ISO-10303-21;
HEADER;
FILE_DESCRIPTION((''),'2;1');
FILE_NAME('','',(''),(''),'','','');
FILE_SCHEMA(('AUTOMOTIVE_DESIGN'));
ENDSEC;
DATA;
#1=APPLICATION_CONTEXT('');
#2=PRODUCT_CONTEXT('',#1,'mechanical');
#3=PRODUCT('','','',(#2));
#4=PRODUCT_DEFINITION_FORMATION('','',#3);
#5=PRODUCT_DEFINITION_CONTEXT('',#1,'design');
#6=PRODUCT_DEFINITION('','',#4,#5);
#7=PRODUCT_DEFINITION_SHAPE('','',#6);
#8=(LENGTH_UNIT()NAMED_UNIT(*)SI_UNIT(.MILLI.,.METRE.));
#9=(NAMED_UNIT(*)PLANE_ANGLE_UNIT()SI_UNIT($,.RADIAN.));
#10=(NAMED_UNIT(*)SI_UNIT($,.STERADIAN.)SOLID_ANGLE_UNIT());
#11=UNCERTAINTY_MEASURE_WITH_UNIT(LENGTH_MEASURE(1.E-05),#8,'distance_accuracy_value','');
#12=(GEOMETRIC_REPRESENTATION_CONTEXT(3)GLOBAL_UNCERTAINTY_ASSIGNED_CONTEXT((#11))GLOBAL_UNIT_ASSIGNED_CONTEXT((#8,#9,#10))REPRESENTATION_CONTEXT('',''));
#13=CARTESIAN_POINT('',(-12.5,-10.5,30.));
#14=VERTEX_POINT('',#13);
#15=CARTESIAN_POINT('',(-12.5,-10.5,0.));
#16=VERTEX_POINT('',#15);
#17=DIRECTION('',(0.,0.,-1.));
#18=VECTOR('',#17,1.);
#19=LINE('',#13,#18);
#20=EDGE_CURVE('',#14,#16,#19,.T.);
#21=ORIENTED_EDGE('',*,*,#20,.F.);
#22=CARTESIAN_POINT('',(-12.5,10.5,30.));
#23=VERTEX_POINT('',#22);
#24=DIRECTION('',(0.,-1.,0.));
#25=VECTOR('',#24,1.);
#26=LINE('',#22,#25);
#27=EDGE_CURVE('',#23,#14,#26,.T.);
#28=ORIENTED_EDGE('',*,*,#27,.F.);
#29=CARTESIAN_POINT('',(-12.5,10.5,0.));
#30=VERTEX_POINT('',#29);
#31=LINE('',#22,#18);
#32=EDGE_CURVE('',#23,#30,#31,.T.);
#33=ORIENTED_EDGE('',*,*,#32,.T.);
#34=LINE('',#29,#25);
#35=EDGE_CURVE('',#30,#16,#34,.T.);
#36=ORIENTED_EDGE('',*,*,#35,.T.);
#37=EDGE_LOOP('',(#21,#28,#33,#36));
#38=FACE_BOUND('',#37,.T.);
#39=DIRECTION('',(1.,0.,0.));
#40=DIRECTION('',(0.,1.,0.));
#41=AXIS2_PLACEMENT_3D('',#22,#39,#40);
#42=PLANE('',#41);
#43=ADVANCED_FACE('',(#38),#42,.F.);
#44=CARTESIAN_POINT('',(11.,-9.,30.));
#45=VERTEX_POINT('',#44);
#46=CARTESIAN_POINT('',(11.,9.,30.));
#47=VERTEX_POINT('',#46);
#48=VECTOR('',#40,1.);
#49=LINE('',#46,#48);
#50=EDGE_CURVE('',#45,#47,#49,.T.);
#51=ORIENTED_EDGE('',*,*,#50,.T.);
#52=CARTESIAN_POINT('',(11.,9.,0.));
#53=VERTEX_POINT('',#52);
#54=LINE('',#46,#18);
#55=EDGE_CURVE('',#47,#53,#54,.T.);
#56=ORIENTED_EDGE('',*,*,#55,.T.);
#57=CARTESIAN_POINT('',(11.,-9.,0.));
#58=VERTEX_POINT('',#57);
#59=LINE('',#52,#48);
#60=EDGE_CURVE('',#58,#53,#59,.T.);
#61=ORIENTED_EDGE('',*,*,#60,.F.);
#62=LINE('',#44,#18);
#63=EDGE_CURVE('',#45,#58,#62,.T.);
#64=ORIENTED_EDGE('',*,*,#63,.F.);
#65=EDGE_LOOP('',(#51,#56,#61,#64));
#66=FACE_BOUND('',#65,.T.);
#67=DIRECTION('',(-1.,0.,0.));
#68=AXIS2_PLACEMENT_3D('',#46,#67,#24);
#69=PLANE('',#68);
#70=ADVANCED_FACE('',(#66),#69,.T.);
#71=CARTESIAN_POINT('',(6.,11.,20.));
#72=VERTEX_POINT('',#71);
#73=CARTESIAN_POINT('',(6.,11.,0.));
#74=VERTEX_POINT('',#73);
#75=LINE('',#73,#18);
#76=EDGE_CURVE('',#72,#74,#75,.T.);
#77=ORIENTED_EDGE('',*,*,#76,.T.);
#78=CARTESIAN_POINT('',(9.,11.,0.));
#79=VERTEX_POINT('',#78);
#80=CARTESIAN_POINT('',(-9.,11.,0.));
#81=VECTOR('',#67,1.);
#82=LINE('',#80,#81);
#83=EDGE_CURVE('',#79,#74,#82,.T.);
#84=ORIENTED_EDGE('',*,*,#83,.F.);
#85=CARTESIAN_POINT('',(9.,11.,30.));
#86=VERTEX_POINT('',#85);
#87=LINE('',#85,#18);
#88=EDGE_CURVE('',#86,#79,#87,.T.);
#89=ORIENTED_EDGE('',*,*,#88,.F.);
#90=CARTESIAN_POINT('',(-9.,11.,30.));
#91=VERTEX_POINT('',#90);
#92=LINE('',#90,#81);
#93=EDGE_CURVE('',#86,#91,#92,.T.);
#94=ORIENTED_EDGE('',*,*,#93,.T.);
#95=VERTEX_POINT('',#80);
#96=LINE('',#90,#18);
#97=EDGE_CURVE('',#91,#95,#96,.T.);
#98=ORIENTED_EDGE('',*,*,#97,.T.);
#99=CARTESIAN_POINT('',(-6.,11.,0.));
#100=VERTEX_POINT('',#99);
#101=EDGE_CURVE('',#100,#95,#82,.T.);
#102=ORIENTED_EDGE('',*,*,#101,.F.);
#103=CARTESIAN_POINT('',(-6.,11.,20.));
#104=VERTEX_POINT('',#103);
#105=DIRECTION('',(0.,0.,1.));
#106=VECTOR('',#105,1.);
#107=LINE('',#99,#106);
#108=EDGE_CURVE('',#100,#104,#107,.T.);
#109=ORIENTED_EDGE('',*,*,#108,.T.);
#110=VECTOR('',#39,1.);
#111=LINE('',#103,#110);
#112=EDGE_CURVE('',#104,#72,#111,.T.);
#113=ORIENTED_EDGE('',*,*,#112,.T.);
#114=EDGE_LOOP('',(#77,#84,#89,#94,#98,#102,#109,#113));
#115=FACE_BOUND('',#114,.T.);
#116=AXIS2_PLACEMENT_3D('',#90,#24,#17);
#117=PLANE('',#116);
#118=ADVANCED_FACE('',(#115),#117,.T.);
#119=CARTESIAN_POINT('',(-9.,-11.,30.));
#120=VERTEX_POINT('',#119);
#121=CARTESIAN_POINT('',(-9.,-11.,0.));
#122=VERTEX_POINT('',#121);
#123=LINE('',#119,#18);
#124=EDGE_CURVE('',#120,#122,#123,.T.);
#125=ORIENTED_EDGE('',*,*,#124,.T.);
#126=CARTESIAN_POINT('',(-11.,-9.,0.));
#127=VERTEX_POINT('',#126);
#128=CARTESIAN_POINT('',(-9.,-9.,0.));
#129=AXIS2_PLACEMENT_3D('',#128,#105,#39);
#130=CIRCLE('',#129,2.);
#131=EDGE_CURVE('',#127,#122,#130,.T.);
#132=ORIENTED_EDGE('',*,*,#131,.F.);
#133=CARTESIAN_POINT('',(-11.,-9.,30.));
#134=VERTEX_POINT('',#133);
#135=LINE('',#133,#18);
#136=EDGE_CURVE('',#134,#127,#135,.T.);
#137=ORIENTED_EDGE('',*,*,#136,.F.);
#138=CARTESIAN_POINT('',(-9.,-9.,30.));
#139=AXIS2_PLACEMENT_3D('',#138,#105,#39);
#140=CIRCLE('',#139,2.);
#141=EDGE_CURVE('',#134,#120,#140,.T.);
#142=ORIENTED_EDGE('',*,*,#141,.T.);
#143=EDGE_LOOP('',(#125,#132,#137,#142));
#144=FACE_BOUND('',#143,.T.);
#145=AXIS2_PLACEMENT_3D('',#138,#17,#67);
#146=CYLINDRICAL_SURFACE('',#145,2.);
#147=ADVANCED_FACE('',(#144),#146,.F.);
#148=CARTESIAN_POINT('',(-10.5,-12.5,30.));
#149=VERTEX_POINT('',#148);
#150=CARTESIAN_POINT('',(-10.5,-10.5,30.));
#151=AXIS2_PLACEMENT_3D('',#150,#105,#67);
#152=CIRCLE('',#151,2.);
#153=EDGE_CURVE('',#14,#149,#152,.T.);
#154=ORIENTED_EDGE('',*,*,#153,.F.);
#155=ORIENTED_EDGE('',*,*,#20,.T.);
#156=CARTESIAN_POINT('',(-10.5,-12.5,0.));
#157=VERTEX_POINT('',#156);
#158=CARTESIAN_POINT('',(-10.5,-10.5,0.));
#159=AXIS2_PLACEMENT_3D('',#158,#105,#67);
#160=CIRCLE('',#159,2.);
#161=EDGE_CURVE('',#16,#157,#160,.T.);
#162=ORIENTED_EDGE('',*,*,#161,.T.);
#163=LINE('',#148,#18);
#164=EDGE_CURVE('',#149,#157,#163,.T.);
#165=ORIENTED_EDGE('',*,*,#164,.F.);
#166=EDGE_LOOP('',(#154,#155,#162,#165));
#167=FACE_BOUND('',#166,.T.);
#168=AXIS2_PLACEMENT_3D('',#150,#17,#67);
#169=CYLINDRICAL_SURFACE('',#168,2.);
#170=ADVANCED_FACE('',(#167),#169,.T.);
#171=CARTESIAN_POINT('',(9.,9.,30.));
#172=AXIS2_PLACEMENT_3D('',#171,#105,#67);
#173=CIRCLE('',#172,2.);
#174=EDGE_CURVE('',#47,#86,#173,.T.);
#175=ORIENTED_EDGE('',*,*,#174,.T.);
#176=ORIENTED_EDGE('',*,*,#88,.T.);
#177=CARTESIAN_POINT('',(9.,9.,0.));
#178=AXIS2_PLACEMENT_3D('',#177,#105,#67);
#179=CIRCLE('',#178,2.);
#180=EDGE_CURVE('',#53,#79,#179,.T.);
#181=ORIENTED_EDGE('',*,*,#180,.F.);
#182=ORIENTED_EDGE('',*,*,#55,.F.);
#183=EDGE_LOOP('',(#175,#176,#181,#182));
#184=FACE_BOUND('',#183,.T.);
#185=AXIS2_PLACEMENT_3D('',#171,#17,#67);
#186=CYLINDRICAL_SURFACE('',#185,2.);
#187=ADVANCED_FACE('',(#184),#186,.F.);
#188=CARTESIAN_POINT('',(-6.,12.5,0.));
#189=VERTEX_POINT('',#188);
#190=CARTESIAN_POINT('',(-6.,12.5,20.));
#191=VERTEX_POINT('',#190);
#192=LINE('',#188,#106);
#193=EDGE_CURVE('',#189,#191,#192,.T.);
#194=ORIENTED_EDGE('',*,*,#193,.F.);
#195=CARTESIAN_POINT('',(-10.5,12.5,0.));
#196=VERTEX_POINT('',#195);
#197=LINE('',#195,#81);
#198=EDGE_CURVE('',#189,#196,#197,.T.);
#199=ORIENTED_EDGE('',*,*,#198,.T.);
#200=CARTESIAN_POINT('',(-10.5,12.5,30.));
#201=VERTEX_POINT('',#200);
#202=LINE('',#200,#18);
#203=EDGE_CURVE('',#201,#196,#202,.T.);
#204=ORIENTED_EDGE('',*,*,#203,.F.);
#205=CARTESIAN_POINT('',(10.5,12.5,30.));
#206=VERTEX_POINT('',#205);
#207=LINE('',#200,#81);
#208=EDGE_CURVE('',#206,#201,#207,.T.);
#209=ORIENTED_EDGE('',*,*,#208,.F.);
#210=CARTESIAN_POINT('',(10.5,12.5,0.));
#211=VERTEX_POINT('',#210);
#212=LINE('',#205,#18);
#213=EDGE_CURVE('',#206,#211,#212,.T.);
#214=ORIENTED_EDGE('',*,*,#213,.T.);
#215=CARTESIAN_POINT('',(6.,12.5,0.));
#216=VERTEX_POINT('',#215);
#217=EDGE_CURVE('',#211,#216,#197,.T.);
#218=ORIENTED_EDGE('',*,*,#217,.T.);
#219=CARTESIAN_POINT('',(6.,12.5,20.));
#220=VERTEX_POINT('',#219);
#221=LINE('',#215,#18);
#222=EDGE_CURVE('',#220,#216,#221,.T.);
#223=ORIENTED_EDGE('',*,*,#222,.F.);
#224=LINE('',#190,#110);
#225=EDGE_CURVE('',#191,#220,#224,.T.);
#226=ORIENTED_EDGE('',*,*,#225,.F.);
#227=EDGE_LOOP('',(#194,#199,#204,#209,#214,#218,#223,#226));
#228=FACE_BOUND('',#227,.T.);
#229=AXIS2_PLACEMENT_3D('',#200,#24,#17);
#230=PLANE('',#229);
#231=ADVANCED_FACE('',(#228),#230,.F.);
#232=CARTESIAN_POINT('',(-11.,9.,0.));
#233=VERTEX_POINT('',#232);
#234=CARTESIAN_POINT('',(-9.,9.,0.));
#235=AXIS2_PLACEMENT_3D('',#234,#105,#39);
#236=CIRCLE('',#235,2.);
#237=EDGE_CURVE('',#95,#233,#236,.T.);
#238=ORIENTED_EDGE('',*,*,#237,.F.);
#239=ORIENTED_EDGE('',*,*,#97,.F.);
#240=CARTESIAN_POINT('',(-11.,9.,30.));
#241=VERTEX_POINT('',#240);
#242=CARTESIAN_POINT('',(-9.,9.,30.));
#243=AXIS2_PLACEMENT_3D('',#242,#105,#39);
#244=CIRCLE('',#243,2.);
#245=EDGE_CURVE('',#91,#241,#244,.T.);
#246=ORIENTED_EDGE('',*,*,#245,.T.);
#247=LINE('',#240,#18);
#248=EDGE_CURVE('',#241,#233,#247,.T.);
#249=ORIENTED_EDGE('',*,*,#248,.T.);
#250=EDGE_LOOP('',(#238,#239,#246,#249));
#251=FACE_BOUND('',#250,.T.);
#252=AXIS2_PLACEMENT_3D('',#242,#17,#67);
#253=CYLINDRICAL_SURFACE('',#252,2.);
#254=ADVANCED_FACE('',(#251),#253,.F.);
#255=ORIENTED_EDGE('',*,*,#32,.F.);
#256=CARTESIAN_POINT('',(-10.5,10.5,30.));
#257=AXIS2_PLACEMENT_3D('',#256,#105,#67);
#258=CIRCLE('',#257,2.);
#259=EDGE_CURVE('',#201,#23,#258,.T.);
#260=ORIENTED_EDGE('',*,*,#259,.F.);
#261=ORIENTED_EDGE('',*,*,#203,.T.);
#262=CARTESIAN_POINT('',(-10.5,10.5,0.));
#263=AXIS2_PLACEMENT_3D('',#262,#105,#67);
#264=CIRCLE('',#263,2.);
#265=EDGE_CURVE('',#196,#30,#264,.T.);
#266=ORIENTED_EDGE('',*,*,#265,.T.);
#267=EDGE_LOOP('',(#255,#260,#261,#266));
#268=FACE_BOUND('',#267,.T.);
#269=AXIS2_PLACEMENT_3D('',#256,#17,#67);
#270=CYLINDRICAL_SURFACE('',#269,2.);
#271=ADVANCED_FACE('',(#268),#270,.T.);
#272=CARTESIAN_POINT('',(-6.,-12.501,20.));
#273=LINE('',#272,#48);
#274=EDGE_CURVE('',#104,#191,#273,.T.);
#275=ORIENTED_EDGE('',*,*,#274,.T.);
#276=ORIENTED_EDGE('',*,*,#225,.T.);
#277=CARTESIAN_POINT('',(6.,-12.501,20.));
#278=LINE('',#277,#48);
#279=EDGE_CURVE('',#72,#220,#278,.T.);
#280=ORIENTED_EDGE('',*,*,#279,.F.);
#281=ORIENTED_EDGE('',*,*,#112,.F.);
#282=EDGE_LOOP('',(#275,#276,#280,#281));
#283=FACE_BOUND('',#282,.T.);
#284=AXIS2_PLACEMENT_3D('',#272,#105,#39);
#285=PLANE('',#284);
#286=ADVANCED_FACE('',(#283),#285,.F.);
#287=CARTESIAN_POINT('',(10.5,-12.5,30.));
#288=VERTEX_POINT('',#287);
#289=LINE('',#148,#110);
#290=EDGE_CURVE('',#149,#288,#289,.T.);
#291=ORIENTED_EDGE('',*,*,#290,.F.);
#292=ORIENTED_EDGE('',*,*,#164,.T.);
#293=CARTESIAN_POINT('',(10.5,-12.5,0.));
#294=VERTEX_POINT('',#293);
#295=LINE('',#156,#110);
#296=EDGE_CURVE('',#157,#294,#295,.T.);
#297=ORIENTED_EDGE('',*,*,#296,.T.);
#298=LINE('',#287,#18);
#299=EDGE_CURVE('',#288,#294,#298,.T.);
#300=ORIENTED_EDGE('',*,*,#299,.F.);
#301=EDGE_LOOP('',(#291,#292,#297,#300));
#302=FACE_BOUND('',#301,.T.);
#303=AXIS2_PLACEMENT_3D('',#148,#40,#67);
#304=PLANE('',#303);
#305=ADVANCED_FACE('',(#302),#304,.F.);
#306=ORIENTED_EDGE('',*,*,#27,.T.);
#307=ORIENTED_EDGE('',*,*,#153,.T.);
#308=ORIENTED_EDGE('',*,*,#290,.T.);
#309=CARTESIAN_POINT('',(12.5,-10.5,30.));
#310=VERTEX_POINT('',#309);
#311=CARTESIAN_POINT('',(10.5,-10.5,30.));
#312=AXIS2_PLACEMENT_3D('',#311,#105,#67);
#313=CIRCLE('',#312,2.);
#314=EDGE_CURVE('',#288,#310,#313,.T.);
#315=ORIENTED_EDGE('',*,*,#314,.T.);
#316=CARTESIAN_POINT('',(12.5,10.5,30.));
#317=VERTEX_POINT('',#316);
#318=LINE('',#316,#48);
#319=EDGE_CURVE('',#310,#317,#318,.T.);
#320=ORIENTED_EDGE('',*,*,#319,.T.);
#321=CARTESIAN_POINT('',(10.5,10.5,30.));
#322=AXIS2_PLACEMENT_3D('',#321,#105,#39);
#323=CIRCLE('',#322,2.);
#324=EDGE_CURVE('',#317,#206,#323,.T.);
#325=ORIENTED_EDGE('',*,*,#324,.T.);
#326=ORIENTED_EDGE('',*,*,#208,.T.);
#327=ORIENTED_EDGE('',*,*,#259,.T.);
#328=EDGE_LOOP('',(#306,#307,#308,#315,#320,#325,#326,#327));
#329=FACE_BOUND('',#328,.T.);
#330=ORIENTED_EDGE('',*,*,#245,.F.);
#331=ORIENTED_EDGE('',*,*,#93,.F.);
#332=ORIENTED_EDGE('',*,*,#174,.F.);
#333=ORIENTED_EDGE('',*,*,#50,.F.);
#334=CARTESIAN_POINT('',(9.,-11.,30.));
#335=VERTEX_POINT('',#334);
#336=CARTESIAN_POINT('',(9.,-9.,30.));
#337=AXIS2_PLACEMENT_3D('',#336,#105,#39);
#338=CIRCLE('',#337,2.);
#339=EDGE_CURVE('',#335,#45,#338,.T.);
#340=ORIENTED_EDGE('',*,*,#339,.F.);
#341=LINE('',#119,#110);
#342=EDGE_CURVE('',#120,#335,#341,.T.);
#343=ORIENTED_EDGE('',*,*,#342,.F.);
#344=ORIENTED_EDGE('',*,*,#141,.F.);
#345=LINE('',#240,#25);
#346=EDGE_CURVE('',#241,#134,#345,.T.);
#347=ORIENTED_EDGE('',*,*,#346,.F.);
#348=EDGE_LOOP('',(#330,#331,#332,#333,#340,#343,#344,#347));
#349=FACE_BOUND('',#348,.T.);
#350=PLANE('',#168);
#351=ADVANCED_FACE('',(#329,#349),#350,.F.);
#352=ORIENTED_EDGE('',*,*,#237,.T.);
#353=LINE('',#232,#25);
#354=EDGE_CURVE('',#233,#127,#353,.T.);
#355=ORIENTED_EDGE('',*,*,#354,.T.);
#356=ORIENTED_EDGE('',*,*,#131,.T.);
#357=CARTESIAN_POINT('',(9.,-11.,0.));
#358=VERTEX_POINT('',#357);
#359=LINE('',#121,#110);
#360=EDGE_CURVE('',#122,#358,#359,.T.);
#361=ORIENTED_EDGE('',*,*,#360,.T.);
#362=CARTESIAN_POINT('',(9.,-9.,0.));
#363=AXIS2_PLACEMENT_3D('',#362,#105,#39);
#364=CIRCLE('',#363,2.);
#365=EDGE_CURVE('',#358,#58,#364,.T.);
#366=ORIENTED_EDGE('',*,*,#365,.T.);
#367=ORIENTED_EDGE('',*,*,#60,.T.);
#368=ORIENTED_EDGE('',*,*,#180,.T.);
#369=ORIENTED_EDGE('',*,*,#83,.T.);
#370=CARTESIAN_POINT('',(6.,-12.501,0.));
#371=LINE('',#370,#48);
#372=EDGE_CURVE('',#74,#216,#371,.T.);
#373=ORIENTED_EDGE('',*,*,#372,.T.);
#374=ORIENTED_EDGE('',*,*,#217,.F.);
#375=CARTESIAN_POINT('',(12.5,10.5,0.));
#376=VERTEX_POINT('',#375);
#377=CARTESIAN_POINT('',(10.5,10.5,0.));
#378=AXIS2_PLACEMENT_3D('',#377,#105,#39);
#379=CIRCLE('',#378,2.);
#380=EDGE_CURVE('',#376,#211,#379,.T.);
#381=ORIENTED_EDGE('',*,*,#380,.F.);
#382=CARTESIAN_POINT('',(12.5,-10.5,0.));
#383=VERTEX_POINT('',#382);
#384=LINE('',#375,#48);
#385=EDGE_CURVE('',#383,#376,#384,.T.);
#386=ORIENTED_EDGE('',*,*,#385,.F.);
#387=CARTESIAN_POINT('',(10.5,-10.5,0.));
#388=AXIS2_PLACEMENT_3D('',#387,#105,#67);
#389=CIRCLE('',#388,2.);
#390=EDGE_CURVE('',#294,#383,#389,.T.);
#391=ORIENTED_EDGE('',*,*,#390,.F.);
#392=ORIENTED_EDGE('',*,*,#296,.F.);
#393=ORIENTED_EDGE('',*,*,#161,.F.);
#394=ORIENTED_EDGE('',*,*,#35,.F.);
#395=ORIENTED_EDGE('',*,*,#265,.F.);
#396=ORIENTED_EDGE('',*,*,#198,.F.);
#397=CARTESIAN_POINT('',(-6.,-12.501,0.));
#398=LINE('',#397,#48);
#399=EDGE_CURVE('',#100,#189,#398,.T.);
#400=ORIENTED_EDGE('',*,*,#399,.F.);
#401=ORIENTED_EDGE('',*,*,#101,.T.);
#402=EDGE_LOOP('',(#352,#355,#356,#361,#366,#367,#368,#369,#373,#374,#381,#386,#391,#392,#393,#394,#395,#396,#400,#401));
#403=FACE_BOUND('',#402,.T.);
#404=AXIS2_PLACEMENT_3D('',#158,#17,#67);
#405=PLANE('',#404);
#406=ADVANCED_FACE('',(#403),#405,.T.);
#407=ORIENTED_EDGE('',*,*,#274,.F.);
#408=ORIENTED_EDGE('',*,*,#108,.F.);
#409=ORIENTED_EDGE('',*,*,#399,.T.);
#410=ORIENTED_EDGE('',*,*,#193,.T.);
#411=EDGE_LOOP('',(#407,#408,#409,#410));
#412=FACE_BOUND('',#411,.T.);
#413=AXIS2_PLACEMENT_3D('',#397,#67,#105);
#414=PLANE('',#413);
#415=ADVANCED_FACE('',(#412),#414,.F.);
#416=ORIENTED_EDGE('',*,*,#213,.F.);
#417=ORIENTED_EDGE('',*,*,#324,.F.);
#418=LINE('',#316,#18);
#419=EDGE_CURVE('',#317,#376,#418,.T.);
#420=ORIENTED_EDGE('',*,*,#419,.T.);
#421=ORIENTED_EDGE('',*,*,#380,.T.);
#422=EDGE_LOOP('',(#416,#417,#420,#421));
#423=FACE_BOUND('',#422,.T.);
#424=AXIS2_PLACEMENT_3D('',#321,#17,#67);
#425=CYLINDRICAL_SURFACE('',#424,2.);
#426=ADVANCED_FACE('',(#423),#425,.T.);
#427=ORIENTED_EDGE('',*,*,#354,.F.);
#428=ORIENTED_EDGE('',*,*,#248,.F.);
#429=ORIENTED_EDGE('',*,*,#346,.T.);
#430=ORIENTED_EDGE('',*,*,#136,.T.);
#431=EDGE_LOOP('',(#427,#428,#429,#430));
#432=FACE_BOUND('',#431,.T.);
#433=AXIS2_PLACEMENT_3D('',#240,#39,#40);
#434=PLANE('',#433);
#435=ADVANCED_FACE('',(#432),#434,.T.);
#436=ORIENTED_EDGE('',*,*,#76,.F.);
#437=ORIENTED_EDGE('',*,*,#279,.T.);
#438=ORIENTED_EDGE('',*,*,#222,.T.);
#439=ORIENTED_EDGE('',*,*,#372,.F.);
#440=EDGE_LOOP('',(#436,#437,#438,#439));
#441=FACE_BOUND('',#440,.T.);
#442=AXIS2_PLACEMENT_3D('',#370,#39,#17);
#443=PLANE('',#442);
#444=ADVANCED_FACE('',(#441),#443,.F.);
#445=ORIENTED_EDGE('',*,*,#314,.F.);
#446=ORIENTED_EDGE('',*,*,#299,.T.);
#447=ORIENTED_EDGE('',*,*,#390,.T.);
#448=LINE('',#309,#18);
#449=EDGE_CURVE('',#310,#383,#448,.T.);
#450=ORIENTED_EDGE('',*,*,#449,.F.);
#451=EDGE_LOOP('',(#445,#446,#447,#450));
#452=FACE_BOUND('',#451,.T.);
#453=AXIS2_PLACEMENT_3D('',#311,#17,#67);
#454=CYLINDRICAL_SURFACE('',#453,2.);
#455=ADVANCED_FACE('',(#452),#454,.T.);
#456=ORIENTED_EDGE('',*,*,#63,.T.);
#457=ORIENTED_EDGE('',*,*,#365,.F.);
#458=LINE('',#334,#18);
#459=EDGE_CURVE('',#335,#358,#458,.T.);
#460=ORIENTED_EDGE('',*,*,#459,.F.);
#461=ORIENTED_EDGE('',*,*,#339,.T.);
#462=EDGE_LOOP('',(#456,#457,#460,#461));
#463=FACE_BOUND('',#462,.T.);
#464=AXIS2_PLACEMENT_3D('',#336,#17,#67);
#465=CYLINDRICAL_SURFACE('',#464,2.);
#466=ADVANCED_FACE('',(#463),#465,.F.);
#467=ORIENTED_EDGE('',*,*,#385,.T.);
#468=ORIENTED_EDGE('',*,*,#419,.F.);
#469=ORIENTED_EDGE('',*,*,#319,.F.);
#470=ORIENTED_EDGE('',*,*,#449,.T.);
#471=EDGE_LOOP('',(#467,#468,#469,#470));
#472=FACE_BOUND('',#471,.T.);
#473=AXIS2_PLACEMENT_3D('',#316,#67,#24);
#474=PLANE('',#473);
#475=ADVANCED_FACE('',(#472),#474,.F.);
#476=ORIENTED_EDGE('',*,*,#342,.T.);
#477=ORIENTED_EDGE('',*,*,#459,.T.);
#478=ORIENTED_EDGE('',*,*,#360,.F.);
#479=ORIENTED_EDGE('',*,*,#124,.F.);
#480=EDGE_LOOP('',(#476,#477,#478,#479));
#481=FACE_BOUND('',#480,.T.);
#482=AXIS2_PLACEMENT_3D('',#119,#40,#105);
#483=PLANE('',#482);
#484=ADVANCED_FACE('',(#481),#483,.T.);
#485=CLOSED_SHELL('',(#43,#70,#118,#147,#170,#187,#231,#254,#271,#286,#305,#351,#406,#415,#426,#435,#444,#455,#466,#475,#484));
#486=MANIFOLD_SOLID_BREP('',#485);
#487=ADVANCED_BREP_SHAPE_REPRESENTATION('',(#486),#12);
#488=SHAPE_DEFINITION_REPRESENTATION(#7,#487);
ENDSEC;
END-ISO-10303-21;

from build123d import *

# Parameters (mm, degrees)
EXTRUDE_1_DEPTH     = 30
CUT_EXTRUDE_1_REACH = 43.003
SKETCH_2_W          = 12
SKETCH_2_H          = 20


with BuildPart() as part:
    # 草图1 → 凸台-拉伸1 (new body)
    with BuildSketch(Plane.XY):
        with BuildLine():
            Line((12.5, 10.5), (12.5, -10.5))
            ThreePointArc((12.5, -10.5), (11.914213562, -11.914213562), (10.5, -12.5))
            Line((10.5, -12.5), (-10.5, -12.5))
            ThreePointArc((-10.5, -12.5), (-11.914213562, -11.914213562), (-12.5, -10.5))
            Line((-12.5, -10.5), (-12.5, 10.5))
            ThreePointArc((-12.5, 10.5), (-11.914213562, 11.914213562), (-10.5, 12.5))
            Line((-10.5, 12.5), (10.5, 12.5))
            ThreePointArc((10.5, 12.5), (11.914213562, 11.914213562), (12.5, 10.5))
        make_face()
        with BuildLine():
            Line((-9, 11), (9, 11))
            ThreePointArc((9, 11), (10.414213562, 10.414213562), (11, 9))
            Line((11, 9), (11, -9))
            ThreePointArc((11, -9), (10.414213562, -10.414213562), (9, -11))
            Line((9, -11), (-9, -11))
            ThreePointArc((-9, -11), (-10.414213562, -10.414213562), (-11, -9))
            Line((-11, -9), (-11, 9))
            ThreePointArc((-11, 9), (-10.414213562, 10.414213562), (-9, 11))
        make_face(mode=Mode.SUBTRACT)
    extrude(amount=EXTRUDE_1_DEPTH)

    # 草图2 → 切除-拉伸1 (cut, up to next)
    with BuildSketch(Plane(origin=(0, 12.5, 0), x_dir=(1, 0, 0), z_dir=(0, 1, 0)), mode=Mode.PRIVATE) as cut_extrude_1_sk1:
        with Locations((0, -10)):
            Rectangle(SKETCH_2_W, SKETCH_2_H)
    cut_extrude_1_tool1 = extrude(cut_extrude_1_sk1.sketch, amount=-CUT_EXTRUDE_1_REACH, mode=Mode.PRIVATE) & part.part
    add(cut_extrude_1_tool1.solids().sort_by_distance((0, 12.5, 10))[0], mode=Mode.SUBTRACT)


solid = part.part
